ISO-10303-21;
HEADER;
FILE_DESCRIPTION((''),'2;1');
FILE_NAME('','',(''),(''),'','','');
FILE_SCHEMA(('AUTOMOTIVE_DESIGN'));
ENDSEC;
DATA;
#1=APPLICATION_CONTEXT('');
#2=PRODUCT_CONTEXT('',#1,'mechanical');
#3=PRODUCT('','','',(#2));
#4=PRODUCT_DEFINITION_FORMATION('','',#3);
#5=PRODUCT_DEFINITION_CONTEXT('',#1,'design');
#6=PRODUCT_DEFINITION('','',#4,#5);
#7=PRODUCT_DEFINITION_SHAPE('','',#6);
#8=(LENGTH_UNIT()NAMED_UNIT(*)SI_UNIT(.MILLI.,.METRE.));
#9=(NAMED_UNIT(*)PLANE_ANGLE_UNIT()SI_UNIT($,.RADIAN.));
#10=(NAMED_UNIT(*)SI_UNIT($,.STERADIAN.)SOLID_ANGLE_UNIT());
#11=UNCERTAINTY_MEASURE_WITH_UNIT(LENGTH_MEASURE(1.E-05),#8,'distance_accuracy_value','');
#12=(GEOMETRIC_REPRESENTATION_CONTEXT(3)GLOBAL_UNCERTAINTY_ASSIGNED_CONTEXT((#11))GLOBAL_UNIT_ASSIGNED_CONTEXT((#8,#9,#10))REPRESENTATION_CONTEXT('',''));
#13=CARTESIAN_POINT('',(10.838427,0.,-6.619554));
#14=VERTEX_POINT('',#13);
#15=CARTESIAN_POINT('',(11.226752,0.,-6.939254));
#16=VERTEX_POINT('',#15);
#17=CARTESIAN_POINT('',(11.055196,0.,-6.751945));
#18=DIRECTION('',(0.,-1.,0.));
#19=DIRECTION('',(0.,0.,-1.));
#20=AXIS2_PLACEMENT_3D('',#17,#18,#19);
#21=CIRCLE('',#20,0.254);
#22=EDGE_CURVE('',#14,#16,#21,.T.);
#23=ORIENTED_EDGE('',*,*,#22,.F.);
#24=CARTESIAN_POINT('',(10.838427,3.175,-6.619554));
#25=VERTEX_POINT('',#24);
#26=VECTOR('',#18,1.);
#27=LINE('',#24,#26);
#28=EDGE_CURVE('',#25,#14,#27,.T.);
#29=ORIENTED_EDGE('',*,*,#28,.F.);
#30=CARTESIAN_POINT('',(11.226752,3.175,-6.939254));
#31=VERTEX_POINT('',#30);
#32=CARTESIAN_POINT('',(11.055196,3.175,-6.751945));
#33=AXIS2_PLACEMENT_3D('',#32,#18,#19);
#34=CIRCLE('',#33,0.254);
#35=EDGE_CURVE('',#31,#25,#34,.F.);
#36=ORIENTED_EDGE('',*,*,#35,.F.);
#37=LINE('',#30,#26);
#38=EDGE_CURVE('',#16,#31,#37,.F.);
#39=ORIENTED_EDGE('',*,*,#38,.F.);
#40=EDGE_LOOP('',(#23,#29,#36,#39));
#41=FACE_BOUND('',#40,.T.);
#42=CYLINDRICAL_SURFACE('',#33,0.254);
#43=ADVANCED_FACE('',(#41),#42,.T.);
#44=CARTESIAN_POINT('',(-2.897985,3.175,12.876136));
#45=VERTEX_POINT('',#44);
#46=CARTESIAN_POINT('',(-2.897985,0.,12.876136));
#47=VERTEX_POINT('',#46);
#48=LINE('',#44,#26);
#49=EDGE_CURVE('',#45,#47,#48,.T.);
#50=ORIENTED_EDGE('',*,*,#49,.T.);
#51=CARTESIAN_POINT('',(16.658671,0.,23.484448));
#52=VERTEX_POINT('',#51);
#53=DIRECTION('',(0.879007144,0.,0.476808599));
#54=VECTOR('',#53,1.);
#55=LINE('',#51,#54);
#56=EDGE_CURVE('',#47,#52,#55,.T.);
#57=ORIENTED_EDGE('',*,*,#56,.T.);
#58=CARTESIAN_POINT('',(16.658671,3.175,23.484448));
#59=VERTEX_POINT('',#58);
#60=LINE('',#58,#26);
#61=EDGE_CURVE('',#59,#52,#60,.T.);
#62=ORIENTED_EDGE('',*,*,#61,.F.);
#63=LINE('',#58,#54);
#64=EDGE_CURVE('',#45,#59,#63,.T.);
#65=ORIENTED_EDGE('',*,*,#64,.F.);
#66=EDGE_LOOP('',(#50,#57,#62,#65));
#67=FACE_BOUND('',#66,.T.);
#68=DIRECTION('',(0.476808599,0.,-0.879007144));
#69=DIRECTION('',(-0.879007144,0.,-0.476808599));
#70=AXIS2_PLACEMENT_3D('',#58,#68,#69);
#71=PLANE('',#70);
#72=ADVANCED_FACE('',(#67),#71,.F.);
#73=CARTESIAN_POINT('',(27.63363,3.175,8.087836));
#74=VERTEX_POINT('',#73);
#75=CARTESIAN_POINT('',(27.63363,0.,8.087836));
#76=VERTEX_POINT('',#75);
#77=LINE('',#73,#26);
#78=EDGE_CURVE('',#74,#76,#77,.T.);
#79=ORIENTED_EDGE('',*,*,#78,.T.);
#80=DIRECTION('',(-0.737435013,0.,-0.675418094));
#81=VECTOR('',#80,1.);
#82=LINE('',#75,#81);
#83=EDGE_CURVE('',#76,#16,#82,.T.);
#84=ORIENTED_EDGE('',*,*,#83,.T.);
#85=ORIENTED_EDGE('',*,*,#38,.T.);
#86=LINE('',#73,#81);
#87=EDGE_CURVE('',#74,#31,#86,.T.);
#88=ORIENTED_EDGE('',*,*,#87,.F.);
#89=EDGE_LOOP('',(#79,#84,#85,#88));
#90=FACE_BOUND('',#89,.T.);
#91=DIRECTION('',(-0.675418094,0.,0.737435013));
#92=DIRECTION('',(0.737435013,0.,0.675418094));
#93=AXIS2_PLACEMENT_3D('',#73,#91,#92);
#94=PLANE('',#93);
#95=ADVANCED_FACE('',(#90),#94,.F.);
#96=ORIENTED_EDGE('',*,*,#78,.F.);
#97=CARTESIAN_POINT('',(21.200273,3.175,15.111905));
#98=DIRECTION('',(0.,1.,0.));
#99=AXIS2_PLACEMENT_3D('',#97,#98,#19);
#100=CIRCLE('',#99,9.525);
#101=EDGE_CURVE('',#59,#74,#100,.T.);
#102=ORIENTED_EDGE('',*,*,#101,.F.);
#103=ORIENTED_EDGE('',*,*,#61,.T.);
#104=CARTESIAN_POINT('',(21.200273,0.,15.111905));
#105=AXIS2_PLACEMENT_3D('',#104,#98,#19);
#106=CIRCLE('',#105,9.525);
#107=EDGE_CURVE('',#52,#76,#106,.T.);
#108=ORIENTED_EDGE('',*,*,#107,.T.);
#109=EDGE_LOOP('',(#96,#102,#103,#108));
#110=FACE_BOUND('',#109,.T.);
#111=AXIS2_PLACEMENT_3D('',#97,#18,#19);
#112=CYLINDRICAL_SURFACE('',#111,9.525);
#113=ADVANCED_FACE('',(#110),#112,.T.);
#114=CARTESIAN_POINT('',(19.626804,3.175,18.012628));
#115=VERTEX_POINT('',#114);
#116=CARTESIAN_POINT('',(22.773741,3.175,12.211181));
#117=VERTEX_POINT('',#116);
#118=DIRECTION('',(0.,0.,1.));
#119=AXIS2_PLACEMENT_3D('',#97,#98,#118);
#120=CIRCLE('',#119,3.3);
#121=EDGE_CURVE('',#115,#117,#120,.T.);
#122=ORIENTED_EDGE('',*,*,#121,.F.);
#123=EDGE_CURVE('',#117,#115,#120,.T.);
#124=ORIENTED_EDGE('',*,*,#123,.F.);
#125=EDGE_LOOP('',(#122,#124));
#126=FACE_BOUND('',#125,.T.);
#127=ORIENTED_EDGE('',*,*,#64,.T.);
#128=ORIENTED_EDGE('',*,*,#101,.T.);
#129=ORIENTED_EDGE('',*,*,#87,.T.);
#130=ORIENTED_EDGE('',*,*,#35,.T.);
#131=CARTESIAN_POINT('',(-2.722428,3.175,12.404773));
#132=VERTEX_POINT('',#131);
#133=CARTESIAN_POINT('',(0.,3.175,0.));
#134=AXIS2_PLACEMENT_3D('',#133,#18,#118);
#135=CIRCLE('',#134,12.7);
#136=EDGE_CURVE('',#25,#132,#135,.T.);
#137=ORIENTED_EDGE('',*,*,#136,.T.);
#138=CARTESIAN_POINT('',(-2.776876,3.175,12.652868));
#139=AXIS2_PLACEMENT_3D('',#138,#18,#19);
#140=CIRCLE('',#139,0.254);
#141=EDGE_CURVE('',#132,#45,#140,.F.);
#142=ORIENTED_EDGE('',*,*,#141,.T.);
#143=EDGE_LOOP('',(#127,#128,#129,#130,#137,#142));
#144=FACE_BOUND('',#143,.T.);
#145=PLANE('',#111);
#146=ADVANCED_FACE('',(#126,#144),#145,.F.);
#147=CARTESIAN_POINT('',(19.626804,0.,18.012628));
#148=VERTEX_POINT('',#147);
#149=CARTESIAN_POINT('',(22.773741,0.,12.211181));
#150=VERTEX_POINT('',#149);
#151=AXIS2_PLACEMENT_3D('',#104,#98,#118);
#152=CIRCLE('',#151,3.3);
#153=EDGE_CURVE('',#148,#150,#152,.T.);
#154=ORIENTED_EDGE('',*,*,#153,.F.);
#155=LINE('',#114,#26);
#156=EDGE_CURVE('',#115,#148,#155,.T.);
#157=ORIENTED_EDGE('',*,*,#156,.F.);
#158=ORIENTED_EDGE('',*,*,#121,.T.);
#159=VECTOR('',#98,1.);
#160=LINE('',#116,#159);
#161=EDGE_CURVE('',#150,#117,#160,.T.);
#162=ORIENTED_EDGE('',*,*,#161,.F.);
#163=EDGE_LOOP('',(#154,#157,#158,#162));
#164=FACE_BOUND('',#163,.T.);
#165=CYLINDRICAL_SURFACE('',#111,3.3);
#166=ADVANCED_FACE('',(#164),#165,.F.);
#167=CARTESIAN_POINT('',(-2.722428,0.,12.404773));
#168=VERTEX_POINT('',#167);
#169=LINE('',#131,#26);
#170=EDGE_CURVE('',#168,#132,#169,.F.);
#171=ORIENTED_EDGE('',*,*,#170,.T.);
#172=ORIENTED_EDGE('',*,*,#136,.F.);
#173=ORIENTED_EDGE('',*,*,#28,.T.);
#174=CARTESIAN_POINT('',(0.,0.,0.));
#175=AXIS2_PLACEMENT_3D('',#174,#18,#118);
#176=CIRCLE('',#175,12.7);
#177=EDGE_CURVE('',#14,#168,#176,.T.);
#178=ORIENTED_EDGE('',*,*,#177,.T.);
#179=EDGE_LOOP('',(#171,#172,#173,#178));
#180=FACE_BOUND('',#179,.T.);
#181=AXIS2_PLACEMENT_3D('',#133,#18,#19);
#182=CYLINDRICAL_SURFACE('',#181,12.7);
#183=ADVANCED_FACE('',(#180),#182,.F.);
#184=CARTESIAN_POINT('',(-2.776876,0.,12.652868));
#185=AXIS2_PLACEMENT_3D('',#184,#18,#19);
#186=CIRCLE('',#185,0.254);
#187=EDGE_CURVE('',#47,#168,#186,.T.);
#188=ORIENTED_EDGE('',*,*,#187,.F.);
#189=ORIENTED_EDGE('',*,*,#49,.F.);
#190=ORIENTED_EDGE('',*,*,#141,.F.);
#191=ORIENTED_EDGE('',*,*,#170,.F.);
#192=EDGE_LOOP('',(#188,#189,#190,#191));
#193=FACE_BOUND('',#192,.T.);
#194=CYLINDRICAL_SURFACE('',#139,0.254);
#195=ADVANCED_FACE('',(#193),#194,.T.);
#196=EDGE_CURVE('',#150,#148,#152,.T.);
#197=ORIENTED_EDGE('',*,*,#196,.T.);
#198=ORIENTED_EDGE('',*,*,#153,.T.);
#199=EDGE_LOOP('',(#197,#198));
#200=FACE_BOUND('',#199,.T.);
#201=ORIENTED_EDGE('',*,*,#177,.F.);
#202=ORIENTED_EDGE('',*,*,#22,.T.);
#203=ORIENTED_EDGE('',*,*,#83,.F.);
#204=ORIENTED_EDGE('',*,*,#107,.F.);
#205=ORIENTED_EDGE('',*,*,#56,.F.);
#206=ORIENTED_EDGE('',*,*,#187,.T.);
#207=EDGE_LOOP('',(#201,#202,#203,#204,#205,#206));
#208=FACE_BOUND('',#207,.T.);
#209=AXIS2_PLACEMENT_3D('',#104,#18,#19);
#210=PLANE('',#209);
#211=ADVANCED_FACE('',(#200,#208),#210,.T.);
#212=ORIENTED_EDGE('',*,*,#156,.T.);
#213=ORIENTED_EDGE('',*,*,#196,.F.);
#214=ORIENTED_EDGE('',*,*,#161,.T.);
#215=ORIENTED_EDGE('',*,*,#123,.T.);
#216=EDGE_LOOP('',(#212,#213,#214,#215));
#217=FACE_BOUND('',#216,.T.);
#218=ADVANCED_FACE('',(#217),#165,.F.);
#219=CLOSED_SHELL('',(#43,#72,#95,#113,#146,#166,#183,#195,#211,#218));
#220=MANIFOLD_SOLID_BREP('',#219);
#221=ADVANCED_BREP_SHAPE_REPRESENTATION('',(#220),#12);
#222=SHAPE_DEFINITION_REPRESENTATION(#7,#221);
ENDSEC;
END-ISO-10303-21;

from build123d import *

# Parameters (mm, degrees)
SKETCH1_R           = 3.2999999999999763
BOSS_EXTRUDE1_DEPTH = 3.175
FILLET1_R           = 0.254


with BuildPart() as part:
    # Sketch1 → Boss-Extrude1 (new body)
    with BuildSketch(Plane(origin=(0, 0, 0), x_dir=(1, 0, 0), z_dir=(0, 1, 0))):
        with BuildLine():
            Line((16.658670688660017, -23.4844478514352), (-6.05546921231891, -11.163390731254449))
            ThreePointArc((-6.05546921231891, -11.163390731254449), (10.341596389219115, -7.37166087950944), (8.577809795055275, 9.36542466308141))
            Line((8.577809795055275, 9.36542466308141), (27.633629944190663, -8.087836305683298))
            ThreePointArc((27.633629944190663, -8.087836305683298), (28.956469889813544, -20.640650462626443), (16.658670688660017, -23.4844478514352))
        make_face()
        with Locations(Location((21.2002725978992, -15.11190480299436, 0), (0, 0, 270))):
            Circle(SKETCH1_R, mode=Mode.SUBTRACT)
    extrude(amount=BOSS_EXTRUDE1_DEPTH)

    # Fillet1
    fillet1_edges = [part.edges().sort_by_distance(p)[0] for p in [
        (-6.05546921231891, 1.5875, 11.163390731254449),
        (8.577809795055277, 1.5875, -9.36542466308141),
    ]]
    fillet(fillet1_edges, radius=FILLET1_R)


solid = part.part
